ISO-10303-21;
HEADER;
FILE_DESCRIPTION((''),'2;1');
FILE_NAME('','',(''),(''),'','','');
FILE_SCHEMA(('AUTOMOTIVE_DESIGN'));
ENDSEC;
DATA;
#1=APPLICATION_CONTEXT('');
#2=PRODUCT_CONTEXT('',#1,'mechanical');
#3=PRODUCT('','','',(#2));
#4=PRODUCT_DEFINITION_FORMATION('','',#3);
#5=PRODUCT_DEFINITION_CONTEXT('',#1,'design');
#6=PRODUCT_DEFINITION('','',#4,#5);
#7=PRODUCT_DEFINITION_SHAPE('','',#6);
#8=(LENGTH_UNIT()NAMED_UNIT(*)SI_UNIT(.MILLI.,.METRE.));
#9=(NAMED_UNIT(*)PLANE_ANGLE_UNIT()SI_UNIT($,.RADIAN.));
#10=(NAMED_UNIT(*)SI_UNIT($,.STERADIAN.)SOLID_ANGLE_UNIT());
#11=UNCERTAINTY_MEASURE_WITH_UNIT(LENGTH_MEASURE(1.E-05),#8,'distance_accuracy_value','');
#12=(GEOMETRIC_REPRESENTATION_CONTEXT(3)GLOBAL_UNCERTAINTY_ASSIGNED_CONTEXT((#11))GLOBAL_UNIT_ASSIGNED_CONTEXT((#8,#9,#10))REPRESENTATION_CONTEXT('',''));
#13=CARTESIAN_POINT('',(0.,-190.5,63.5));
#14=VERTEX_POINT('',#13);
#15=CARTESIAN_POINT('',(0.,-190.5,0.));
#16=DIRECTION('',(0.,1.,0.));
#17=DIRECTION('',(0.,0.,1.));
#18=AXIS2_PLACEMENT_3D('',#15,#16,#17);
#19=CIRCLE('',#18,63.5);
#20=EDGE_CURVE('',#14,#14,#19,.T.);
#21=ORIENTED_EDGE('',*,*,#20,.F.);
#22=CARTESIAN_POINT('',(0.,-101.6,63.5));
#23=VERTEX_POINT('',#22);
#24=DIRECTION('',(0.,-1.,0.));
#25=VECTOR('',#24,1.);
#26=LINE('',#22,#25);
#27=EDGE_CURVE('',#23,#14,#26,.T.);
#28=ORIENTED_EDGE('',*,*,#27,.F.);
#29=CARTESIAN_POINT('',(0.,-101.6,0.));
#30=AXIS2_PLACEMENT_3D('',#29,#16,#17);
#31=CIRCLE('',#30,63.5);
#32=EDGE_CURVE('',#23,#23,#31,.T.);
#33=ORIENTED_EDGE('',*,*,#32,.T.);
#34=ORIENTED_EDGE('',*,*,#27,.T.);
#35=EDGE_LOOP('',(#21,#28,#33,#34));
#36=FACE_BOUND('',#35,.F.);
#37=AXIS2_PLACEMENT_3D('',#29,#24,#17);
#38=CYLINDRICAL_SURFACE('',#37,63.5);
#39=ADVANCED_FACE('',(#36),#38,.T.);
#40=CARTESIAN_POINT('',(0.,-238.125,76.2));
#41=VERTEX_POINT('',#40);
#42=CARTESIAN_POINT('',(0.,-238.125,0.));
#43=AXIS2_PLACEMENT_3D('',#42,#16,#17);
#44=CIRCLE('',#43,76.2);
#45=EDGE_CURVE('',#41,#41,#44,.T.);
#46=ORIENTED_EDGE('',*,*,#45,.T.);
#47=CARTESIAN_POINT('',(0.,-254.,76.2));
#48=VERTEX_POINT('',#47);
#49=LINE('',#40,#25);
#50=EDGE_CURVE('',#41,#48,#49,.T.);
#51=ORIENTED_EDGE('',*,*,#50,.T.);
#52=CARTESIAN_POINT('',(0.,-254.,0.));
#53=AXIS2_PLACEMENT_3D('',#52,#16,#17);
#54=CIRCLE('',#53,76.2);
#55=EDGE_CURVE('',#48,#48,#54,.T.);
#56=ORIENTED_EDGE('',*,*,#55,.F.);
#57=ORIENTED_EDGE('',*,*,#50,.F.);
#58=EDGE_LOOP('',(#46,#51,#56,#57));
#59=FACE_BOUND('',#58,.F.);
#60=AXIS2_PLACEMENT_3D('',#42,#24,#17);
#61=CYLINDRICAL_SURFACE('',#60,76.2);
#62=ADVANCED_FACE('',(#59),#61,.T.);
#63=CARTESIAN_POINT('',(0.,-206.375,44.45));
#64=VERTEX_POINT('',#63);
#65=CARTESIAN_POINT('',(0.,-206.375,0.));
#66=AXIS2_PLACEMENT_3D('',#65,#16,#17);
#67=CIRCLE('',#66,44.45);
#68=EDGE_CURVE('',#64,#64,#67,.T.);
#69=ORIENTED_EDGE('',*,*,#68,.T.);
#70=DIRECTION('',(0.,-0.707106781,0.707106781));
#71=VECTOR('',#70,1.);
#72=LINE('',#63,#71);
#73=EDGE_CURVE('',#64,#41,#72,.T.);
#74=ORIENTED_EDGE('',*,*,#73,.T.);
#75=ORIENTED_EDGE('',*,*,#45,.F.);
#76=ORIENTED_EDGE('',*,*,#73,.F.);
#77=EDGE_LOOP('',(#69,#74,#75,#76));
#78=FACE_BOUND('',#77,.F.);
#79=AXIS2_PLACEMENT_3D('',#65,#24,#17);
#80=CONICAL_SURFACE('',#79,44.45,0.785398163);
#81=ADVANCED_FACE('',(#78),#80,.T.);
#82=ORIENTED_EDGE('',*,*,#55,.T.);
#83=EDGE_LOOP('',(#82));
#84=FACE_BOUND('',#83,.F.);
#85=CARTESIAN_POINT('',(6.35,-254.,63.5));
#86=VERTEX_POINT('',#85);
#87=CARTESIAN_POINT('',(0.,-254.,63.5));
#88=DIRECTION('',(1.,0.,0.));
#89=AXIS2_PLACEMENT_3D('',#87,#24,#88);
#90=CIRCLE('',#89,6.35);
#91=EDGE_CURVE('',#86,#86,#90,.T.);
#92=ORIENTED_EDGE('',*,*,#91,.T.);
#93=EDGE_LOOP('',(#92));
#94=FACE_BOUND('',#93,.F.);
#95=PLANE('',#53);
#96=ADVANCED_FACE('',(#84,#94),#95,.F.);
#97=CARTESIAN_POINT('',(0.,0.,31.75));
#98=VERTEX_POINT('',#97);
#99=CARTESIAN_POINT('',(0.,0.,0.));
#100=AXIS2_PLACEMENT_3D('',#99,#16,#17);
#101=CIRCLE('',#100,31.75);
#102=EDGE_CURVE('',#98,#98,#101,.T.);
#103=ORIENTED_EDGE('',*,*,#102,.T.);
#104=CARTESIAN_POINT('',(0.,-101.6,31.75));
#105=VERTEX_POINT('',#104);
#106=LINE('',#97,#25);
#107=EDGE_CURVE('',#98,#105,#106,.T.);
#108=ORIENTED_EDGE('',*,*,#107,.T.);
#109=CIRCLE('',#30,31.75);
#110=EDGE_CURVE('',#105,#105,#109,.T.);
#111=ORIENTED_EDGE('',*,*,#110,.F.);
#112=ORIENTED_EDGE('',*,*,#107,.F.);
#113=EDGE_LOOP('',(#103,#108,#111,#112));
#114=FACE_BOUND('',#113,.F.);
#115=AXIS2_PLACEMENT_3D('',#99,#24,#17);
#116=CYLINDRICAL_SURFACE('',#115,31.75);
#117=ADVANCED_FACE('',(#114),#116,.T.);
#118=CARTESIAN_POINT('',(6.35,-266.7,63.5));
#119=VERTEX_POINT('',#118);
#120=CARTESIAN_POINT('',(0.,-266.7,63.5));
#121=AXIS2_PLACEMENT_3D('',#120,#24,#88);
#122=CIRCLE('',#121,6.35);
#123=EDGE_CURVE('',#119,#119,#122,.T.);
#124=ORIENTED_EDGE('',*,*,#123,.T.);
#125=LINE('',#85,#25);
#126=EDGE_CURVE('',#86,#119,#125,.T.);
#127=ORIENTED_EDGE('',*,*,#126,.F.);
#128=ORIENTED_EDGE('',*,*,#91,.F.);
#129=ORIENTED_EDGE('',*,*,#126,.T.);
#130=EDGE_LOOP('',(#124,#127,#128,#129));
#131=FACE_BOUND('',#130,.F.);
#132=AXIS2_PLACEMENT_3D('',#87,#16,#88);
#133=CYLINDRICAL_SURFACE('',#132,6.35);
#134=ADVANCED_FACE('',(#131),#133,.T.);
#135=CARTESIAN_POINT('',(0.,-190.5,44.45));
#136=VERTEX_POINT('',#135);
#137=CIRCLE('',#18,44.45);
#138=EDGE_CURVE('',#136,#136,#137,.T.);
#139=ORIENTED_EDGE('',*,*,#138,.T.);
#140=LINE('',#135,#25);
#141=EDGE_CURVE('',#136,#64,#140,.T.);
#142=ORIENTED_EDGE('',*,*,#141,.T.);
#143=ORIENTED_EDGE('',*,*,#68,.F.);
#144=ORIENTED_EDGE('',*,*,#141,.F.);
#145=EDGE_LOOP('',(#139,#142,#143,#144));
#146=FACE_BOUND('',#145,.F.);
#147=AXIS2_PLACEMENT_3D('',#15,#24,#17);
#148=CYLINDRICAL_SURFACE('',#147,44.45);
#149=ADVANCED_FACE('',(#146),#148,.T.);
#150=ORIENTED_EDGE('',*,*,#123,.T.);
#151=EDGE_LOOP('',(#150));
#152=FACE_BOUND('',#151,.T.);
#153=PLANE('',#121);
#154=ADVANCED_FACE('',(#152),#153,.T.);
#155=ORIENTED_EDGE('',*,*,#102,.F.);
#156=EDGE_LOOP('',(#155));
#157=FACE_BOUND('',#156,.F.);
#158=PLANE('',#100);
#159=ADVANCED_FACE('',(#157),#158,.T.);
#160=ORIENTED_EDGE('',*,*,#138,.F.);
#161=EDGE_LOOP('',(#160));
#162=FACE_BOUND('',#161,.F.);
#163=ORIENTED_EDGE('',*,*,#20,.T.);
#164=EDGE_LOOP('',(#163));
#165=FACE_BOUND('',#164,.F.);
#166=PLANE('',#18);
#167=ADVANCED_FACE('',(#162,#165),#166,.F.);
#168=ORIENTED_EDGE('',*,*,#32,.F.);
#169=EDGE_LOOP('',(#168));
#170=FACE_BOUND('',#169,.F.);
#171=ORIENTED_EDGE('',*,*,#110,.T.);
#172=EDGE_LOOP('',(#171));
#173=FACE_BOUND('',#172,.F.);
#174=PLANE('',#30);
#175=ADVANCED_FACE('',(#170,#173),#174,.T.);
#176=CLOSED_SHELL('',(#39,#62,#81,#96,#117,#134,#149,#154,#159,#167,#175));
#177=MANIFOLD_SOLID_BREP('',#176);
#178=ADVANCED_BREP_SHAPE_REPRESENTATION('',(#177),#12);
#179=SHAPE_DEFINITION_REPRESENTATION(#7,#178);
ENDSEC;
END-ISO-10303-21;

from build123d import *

# Parameters (mm, degrees)
F2_R     = 6.35
F3_DEPTH = 12.7


with BuildPart() as f1:
    # F0 (on Right) → F1 (revolve)
    with BuildSketch(Plane.YZ):
        Polygon((-254, 0), (0, 0), (0, 31.75), (-101.6, 31.75), (-101.6, 63.5), (-190.5, 63.5), (-190.5, 44.45), (-206.375, 44.45), (-238.125, 76.2), (-254, 76.2), align=None)
    revolve(axis=Axis((0, -127, 0), (0, 1, 0)))

    # F2 (on face) → F3 (join)
    with BuildSketch(Plane.XZ.offset(254)):
        with Locations((0, 63.5)):
            Circle(F2_R)
    extrude(amount=F3_DEPTH)


solid = f1.part
